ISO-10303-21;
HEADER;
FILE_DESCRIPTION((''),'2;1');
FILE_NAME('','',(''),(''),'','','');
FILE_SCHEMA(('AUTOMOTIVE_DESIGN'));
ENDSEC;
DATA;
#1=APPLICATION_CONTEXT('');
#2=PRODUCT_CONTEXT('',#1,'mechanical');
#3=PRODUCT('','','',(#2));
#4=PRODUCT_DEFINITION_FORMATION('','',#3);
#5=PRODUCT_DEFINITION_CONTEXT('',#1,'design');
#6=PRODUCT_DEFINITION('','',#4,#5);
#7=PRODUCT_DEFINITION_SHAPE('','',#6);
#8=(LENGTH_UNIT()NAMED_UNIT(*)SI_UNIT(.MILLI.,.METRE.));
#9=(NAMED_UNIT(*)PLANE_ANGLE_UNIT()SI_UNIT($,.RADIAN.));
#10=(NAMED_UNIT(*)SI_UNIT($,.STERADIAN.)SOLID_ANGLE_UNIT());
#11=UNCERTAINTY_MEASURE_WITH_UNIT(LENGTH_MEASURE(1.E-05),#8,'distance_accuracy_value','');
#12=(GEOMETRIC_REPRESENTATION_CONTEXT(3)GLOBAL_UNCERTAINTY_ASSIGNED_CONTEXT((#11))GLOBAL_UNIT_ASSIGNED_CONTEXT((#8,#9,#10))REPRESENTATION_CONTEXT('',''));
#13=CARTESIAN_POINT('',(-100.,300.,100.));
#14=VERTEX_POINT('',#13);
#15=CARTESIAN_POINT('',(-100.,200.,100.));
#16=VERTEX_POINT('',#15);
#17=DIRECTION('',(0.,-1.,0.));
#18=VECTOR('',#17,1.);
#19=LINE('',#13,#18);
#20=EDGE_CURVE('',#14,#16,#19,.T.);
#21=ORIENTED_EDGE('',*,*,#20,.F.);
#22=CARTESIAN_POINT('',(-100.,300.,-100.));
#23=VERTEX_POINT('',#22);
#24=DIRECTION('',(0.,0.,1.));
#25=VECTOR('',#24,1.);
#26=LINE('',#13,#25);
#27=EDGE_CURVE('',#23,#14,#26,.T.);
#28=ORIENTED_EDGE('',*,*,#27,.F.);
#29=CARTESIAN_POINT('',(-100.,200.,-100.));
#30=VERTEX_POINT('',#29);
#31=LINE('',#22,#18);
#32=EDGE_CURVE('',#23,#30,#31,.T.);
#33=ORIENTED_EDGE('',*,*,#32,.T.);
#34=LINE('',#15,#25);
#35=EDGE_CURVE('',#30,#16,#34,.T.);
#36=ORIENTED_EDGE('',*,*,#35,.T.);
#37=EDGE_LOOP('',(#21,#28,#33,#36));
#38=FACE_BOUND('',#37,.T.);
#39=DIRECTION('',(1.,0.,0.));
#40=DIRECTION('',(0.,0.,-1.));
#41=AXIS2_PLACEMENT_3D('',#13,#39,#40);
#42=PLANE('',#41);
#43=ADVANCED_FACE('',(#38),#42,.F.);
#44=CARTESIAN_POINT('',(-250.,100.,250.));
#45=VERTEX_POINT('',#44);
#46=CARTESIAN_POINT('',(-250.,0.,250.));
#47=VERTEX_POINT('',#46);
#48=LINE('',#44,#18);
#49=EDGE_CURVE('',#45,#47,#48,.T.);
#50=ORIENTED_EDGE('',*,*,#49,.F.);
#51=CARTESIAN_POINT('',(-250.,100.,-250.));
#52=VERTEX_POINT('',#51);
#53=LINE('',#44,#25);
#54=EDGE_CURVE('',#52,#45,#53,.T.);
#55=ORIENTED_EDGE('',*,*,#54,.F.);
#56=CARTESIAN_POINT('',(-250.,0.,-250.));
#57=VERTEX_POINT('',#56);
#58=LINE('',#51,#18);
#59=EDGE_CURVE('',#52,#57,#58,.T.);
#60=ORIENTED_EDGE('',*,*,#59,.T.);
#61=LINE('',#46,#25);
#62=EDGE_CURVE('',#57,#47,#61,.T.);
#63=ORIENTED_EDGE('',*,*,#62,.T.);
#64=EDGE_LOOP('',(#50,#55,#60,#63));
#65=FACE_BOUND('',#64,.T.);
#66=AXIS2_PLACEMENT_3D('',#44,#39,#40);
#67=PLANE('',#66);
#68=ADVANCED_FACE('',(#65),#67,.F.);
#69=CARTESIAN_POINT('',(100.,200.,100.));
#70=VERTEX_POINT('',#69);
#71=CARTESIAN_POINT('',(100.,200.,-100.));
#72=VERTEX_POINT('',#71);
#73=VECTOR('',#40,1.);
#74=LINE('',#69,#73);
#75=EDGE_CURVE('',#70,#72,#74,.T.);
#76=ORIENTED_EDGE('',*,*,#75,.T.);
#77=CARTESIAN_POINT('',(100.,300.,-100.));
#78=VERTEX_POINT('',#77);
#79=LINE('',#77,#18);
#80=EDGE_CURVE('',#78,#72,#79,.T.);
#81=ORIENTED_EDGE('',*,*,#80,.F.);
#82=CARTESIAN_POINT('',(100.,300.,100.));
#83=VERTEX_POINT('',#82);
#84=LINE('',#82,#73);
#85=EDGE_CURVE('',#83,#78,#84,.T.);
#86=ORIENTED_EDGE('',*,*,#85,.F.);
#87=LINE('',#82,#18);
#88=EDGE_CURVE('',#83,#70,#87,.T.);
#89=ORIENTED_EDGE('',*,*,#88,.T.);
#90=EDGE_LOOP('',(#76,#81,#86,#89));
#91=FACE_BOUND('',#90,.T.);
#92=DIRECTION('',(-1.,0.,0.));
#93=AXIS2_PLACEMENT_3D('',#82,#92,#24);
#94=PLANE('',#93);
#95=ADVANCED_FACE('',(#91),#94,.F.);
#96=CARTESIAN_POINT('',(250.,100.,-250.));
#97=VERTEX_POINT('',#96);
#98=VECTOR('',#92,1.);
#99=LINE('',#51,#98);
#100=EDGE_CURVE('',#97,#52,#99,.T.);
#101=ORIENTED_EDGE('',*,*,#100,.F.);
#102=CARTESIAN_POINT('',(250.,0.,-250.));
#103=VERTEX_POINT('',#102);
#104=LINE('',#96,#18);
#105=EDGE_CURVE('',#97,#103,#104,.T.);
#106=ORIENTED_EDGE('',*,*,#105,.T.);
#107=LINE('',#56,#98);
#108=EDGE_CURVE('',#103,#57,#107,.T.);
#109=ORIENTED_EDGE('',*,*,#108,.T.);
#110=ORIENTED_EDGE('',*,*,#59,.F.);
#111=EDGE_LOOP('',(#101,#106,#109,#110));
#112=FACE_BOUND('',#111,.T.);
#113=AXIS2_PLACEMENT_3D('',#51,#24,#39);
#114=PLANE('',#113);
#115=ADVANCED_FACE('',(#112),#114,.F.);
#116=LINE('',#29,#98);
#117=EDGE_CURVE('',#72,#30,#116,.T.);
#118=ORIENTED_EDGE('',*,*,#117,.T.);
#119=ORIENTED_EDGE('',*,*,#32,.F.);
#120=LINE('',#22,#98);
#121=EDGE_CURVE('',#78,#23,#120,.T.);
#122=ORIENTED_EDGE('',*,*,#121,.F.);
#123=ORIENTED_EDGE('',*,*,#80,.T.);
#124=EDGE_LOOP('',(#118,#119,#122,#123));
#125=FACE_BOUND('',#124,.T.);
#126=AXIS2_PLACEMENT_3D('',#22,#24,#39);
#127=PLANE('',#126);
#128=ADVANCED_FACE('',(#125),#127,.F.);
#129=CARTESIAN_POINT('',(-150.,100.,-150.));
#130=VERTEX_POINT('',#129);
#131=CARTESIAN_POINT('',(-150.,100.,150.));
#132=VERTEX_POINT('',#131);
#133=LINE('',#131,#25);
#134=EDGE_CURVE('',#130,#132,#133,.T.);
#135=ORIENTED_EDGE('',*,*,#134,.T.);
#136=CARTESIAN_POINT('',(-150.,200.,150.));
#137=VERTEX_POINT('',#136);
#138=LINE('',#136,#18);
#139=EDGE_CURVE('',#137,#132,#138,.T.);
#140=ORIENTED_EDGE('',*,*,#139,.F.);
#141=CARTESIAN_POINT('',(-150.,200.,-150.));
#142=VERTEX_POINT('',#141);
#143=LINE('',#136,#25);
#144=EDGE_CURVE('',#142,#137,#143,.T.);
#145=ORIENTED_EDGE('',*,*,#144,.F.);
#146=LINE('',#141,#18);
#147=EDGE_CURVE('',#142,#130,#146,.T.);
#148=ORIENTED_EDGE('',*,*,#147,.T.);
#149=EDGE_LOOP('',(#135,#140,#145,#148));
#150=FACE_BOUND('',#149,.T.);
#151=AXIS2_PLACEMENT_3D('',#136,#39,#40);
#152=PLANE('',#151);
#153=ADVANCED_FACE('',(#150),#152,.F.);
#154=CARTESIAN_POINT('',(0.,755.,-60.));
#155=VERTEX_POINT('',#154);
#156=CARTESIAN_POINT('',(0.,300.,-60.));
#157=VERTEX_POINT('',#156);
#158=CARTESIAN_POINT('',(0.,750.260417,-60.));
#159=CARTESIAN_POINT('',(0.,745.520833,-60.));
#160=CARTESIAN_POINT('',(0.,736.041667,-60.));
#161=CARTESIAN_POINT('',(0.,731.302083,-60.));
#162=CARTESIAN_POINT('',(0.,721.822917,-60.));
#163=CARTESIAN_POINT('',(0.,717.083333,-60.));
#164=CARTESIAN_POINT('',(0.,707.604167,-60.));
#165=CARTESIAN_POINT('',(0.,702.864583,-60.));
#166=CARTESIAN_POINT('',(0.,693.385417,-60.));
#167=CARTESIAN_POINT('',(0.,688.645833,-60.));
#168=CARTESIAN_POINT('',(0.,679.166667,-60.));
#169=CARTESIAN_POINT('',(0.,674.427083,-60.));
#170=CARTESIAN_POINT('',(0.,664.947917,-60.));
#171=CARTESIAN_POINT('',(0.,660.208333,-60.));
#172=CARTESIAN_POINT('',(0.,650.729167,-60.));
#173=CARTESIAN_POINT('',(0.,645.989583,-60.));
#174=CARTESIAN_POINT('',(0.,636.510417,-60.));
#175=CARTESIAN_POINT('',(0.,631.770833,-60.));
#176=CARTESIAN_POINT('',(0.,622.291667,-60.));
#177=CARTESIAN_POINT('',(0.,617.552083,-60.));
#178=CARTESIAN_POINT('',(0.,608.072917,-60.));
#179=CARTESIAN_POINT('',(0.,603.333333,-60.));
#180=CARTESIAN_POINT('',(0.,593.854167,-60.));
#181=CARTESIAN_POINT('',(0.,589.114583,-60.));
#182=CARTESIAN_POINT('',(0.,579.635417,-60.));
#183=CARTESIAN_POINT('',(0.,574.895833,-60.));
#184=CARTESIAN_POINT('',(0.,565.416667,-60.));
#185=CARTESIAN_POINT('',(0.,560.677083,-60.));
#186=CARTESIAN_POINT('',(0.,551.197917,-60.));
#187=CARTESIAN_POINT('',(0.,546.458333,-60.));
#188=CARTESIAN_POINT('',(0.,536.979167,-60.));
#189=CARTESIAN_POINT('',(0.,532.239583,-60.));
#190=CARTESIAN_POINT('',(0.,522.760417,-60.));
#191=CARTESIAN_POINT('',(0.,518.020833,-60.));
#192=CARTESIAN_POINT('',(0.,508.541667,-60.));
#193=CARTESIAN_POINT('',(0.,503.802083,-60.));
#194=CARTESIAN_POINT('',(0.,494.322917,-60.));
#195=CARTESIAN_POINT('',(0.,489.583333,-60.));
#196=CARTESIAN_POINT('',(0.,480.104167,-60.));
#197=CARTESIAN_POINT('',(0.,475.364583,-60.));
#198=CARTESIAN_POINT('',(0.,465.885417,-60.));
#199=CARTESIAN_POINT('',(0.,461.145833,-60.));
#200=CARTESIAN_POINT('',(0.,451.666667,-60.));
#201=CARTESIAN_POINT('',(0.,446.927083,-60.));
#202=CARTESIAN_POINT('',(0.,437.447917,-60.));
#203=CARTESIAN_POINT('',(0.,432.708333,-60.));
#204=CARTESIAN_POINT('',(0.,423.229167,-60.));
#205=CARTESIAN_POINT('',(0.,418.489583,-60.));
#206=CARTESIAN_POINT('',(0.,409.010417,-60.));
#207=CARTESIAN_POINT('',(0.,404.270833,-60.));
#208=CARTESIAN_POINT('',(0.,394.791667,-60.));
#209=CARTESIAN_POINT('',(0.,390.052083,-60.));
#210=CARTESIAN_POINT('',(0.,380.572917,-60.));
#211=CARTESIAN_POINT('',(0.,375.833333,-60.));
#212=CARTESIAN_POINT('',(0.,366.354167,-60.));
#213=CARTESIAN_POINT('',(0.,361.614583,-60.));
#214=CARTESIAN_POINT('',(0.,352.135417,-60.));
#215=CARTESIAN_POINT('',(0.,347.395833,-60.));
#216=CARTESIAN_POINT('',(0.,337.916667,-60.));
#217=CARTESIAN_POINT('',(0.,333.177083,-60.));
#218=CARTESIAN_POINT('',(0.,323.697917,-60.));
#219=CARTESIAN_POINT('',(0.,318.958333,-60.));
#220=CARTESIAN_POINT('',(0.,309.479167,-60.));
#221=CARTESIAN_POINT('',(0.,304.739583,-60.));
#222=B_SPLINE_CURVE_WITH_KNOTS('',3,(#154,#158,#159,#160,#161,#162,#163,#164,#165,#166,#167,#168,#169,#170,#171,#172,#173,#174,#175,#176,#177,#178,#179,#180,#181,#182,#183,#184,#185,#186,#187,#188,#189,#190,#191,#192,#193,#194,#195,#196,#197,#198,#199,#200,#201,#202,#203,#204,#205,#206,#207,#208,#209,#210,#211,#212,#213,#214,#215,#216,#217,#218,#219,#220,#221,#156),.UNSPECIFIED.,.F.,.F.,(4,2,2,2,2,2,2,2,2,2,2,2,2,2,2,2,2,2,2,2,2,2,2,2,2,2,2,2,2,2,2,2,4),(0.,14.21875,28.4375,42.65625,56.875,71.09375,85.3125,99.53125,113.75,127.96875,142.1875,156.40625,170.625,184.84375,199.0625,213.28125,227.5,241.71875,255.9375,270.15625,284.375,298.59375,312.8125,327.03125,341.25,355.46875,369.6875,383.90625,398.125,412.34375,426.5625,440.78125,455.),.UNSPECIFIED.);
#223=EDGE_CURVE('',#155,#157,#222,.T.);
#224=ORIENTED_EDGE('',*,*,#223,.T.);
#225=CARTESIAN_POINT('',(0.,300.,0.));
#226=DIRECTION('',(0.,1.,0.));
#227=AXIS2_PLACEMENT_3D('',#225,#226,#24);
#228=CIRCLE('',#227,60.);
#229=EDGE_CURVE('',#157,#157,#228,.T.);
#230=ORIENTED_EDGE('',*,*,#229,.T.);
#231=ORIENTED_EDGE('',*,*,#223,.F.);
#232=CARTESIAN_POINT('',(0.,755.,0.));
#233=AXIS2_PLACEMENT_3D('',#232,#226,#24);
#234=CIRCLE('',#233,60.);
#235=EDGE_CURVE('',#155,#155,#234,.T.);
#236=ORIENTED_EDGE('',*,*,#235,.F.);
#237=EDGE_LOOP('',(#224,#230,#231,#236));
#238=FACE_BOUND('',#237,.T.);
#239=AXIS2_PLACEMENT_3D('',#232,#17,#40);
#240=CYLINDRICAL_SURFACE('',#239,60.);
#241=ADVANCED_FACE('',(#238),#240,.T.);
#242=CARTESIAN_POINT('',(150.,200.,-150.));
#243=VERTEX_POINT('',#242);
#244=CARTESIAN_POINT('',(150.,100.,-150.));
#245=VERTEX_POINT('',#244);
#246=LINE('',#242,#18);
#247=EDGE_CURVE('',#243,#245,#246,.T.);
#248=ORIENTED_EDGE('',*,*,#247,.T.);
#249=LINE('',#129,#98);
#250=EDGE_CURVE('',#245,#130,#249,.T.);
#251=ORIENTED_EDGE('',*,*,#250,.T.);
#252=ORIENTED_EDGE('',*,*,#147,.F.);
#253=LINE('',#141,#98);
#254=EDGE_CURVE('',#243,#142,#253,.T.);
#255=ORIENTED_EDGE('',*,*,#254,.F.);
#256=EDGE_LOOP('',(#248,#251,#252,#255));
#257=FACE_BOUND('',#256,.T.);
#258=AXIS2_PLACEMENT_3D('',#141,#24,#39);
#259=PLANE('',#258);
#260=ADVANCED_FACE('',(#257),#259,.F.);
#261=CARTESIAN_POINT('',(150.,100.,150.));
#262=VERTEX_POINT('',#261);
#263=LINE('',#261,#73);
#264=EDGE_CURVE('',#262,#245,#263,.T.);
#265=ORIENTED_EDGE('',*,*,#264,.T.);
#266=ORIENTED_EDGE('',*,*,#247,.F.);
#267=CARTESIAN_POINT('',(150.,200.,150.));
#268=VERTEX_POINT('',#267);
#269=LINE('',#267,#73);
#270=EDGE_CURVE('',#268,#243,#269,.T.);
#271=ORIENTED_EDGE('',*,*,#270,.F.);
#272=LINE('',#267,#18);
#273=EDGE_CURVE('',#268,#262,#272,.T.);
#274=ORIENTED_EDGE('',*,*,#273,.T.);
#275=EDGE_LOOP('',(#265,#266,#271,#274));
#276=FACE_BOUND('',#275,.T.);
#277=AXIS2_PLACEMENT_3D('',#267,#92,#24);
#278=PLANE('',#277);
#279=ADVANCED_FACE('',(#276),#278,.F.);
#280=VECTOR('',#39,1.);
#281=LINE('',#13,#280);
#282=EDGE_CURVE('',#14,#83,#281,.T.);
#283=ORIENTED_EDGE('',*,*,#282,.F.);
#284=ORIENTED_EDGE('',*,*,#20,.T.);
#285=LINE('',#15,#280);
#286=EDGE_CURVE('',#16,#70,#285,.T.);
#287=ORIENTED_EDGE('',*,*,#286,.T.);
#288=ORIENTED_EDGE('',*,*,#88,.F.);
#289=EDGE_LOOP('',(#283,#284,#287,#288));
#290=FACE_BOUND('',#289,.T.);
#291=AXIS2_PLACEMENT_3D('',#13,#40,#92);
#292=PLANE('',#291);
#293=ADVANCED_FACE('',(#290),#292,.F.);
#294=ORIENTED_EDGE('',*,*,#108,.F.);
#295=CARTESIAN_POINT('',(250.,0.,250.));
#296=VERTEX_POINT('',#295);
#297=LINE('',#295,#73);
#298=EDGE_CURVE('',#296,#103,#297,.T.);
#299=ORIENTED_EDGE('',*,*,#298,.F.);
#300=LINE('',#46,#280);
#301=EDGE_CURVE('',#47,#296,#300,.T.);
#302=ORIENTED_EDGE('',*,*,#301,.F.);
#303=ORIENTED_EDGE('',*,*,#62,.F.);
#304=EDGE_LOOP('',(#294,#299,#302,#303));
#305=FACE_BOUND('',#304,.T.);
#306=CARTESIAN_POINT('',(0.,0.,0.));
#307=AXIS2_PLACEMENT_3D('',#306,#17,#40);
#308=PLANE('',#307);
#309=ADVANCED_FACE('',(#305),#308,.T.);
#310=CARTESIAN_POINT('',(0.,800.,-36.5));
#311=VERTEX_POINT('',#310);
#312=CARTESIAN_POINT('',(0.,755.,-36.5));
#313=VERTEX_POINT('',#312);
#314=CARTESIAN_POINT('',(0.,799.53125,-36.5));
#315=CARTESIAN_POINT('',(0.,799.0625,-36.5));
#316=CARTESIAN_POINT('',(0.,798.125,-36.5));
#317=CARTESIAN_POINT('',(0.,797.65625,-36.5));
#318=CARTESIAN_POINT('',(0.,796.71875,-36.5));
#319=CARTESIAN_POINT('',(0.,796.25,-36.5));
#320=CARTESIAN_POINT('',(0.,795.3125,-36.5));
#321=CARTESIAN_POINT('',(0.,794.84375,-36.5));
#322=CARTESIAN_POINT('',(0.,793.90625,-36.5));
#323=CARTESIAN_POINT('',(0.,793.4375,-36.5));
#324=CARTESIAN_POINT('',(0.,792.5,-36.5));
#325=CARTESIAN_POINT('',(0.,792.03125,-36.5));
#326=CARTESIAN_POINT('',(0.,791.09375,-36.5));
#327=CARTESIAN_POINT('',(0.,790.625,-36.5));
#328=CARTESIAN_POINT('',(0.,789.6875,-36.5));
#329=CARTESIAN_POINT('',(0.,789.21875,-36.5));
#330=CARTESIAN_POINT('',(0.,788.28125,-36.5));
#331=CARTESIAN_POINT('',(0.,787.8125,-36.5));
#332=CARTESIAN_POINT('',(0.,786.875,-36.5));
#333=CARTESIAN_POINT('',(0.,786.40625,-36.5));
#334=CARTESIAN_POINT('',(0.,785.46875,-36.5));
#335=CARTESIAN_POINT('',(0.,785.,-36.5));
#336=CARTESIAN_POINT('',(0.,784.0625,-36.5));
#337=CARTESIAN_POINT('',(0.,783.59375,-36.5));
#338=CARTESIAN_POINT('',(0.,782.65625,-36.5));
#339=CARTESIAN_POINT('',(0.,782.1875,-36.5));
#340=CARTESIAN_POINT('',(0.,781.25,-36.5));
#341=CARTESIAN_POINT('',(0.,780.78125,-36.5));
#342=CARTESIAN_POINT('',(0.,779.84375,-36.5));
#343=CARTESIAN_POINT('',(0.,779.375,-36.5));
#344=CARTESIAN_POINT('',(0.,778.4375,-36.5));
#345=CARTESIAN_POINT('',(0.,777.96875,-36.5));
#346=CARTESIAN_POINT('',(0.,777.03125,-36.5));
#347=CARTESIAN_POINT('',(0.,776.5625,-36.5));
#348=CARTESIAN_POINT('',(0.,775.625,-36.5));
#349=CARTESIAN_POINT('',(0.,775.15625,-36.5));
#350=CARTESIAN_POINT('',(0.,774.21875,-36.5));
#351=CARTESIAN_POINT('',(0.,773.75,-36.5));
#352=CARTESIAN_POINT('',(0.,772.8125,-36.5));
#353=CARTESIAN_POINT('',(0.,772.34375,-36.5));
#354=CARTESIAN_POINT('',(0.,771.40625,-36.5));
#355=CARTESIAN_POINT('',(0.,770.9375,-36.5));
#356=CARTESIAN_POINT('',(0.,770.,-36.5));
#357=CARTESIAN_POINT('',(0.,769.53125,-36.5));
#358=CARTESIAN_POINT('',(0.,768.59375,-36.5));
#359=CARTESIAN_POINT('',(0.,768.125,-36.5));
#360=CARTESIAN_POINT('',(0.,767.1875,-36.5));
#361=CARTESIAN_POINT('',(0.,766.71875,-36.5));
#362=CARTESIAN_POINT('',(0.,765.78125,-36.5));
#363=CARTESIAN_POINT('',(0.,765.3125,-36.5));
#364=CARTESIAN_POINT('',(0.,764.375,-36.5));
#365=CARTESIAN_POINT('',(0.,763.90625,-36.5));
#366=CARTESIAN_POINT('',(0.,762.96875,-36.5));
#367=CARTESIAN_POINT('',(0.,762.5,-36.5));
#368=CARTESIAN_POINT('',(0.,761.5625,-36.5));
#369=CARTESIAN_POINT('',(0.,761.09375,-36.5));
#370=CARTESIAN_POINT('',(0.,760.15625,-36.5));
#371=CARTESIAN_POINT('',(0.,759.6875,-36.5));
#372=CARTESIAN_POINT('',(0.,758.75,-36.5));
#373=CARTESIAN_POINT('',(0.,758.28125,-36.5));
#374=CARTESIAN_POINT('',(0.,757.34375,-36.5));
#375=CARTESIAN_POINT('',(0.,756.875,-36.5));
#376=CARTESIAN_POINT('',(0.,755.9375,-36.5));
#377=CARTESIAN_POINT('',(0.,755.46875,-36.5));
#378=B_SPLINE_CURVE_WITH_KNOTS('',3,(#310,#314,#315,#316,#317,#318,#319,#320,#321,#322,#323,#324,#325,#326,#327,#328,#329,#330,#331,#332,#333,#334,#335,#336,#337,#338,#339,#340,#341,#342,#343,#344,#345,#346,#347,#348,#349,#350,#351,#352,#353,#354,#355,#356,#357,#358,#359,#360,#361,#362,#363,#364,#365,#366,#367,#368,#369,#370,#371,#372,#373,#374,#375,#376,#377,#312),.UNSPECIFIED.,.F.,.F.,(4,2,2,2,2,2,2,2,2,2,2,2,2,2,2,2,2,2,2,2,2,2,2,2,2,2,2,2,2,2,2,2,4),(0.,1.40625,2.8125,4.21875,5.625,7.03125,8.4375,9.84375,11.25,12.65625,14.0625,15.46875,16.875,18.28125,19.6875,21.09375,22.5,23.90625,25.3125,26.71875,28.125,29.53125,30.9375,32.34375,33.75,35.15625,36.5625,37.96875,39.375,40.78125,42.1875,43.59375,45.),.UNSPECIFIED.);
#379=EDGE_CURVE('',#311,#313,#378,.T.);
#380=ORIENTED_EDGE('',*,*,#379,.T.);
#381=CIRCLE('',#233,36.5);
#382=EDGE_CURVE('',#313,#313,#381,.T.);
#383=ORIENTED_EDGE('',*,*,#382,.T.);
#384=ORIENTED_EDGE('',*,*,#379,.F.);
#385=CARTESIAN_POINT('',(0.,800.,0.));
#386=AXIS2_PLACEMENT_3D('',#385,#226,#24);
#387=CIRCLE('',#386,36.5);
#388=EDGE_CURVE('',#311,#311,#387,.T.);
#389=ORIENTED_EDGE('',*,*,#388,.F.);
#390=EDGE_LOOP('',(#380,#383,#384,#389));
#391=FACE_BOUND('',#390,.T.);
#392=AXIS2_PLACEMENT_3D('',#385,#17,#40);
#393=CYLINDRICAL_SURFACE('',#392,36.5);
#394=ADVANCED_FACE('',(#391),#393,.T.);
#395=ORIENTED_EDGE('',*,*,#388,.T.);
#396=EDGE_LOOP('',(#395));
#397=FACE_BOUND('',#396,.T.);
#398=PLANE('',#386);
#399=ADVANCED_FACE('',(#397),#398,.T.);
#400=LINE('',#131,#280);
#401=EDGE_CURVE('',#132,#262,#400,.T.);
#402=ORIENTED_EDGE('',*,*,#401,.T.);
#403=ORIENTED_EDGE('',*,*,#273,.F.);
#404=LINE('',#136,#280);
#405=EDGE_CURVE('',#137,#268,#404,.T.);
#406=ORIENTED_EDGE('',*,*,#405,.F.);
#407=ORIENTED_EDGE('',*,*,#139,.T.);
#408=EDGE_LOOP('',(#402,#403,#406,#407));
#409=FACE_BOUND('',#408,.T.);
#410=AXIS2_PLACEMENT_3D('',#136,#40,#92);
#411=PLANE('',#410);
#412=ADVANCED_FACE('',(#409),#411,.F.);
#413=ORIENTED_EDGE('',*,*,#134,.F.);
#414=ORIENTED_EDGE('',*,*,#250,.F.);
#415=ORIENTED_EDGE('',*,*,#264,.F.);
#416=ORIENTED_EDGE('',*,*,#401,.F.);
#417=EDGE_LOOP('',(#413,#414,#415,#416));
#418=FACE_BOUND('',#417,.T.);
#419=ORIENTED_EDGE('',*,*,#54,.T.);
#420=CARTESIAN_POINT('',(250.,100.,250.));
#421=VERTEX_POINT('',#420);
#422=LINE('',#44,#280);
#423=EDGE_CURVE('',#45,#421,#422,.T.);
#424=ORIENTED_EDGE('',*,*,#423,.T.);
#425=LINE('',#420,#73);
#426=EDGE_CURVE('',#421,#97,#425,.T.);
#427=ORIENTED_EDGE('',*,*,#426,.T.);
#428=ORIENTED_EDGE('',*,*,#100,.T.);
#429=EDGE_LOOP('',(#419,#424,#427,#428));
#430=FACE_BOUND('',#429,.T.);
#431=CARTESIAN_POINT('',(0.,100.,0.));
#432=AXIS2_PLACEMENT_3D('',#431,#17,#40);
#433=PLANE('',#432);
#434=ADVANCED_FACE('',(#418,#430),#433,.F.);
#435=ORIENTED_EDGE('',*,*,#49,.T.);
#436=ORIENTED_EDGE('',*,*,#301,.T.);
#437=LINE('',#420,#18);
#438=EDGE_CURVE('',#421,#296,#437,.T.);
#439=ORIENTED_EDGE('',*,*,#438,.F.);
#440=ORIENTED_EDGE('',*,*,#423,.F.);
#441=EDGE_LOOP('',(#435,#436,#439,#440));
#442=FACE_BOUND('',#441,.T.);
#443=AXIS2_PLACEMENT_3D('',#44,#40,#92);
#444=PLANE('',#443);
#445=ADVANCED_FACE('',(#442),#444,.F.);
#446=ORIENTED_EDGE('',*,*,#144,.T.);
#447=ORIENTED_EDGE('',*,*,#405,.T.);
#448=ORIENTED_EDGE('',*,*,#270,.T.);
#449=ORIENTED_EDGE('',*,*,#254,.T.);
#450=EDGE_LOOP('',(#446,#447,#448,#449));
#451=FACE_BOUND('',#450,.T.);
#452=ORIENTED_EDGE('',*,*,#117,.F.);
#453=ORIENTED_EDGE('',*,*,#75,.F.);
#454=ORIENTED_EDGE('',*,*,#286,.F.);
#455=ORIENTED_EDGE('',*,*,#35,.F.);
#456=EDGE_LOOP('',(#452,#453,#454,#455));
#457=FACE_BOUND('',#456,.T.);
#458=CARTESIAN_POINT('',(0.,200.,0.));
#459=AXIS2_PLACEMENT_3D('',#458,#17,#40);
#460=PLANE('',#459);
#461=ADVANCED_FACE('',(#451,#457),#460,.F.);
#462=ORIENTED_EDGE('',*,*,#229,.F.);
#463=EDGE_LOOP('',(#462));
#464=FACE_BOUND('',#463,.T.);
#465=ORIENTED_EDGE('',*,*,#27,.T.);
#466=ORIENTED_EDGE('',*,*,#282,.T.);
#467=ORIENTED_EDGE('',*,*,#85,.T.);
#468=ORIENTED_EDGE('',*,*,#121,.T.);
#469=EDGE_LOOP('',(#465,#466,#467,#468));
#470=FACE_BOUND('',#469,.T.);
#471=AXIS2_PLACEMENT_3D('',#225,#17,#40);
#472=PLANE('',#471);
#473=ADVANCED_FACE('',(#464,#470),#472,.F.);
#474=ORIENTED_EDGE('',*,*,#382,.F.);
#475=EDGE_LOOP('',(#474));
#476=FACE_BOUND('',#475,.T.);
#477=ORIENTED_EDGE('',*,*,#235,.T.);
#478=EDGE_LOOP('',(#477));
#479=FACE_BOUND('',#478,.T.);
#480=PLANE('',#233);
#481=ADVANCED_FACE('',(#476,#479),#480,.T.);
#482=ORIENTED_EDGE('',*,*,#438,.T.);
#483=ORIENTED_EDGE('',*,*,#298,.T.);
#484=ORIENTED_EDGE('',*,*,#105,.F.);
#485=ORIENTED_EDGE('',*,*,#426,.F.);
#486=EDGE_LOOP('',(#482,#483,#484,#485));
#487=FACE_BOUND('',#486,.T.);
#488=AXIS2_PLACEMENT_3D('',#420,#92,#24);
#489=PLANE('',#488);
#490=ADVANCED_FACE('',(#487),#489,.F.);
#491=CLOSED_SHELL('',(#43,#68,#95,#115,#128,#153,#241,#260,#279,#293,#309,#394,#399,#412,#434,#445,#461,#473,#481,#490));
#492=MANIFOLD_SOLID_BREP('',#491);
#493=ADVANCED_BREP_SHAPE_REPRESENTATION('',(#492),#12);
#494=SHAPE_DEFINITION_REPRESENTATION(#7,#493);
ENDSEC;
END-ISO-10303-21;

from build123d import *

# Parameters (mm, degrees)
SKETCH1_W           = 500
SKETCH1_H           = 500
BOSS_EXTRUDE1_DEPTH = 100
SKETCH2_W           = 300
SKETCH2_H           = 300
BOSS_EXTRUDE2_DEPTH = 100
SKETCH3_W           = 200
SKETCH3_H           = 200
BOSS_EXTRUDE3_DEPTH = 100
SKETCH4_R           = 60
BOSS_EXTRUDE4_DEPTH = 455
SKETCH5_R           = 36.5
BOSS_EXTRUDE5_DEPTH = 45


with BuildPart() as part:
    # Sketch1 → Boss-Extrude1 (new body)
    with BuildSketch(Plane(origin=(0, 0, 0), x_dir=(1, 0, 0), z_dir=(0, 1, 0))):
        Rectangle(SKETCH1_W, SKETCH1_H)
    extrude(amount=BOSS_EXTRUDE1_DEPTH)

    # Sketch2 → Boss-Extrude2 (add)
    with BuildSketch(Plane(origin=(0, 100, 0), x_dir=(1, 0, 0), z_dir=(0, 1, 0))):
        Rectangle(SKETCH2_W, SKETCH2_H)
    extrude(amount=BOSS_EXTRUDE2_DEPTH)

    # Sketch3 → Boss-Extrude3 (add)
    with BuildSketch(Plane(origin=(0, 200, 0), x_dir=(1, 0, 0), z_dir=(0, 1, 0))):
        Rectangle(SKETCH3_W, SKETCH3_H)
    extrude(amount=BOSS_EXTRUDE3_DEPTH)

    # Sketch4 → Boss-Extrude4 (add)
    with BuildSketch(Plane(origin=(0, 300, 0), x_dir=(1, 0, 0), z_dir=(0, 1, 0))):
        with Locations(Location((0, 0, 0), (0, 0, 90))):
            Circle(SKETCH4_R)
    extrude(amount=BOSS_EXTRUDE4_DEPTH)

    # Sketch5 → Boss-Extrude5 (add)
    with BuildSketch(Plane(origin=(0, 755, 0), x_dir=(1, 0, 0), z_dir=(0, 1, 0))):
        with Locations(Location((0, 0, 0), (0, 0, 90))):
            Circle(SKETCH5_R)
    extrude(amount=BOSS_EXTRUDE5_DEPTH)


solid = part.part
